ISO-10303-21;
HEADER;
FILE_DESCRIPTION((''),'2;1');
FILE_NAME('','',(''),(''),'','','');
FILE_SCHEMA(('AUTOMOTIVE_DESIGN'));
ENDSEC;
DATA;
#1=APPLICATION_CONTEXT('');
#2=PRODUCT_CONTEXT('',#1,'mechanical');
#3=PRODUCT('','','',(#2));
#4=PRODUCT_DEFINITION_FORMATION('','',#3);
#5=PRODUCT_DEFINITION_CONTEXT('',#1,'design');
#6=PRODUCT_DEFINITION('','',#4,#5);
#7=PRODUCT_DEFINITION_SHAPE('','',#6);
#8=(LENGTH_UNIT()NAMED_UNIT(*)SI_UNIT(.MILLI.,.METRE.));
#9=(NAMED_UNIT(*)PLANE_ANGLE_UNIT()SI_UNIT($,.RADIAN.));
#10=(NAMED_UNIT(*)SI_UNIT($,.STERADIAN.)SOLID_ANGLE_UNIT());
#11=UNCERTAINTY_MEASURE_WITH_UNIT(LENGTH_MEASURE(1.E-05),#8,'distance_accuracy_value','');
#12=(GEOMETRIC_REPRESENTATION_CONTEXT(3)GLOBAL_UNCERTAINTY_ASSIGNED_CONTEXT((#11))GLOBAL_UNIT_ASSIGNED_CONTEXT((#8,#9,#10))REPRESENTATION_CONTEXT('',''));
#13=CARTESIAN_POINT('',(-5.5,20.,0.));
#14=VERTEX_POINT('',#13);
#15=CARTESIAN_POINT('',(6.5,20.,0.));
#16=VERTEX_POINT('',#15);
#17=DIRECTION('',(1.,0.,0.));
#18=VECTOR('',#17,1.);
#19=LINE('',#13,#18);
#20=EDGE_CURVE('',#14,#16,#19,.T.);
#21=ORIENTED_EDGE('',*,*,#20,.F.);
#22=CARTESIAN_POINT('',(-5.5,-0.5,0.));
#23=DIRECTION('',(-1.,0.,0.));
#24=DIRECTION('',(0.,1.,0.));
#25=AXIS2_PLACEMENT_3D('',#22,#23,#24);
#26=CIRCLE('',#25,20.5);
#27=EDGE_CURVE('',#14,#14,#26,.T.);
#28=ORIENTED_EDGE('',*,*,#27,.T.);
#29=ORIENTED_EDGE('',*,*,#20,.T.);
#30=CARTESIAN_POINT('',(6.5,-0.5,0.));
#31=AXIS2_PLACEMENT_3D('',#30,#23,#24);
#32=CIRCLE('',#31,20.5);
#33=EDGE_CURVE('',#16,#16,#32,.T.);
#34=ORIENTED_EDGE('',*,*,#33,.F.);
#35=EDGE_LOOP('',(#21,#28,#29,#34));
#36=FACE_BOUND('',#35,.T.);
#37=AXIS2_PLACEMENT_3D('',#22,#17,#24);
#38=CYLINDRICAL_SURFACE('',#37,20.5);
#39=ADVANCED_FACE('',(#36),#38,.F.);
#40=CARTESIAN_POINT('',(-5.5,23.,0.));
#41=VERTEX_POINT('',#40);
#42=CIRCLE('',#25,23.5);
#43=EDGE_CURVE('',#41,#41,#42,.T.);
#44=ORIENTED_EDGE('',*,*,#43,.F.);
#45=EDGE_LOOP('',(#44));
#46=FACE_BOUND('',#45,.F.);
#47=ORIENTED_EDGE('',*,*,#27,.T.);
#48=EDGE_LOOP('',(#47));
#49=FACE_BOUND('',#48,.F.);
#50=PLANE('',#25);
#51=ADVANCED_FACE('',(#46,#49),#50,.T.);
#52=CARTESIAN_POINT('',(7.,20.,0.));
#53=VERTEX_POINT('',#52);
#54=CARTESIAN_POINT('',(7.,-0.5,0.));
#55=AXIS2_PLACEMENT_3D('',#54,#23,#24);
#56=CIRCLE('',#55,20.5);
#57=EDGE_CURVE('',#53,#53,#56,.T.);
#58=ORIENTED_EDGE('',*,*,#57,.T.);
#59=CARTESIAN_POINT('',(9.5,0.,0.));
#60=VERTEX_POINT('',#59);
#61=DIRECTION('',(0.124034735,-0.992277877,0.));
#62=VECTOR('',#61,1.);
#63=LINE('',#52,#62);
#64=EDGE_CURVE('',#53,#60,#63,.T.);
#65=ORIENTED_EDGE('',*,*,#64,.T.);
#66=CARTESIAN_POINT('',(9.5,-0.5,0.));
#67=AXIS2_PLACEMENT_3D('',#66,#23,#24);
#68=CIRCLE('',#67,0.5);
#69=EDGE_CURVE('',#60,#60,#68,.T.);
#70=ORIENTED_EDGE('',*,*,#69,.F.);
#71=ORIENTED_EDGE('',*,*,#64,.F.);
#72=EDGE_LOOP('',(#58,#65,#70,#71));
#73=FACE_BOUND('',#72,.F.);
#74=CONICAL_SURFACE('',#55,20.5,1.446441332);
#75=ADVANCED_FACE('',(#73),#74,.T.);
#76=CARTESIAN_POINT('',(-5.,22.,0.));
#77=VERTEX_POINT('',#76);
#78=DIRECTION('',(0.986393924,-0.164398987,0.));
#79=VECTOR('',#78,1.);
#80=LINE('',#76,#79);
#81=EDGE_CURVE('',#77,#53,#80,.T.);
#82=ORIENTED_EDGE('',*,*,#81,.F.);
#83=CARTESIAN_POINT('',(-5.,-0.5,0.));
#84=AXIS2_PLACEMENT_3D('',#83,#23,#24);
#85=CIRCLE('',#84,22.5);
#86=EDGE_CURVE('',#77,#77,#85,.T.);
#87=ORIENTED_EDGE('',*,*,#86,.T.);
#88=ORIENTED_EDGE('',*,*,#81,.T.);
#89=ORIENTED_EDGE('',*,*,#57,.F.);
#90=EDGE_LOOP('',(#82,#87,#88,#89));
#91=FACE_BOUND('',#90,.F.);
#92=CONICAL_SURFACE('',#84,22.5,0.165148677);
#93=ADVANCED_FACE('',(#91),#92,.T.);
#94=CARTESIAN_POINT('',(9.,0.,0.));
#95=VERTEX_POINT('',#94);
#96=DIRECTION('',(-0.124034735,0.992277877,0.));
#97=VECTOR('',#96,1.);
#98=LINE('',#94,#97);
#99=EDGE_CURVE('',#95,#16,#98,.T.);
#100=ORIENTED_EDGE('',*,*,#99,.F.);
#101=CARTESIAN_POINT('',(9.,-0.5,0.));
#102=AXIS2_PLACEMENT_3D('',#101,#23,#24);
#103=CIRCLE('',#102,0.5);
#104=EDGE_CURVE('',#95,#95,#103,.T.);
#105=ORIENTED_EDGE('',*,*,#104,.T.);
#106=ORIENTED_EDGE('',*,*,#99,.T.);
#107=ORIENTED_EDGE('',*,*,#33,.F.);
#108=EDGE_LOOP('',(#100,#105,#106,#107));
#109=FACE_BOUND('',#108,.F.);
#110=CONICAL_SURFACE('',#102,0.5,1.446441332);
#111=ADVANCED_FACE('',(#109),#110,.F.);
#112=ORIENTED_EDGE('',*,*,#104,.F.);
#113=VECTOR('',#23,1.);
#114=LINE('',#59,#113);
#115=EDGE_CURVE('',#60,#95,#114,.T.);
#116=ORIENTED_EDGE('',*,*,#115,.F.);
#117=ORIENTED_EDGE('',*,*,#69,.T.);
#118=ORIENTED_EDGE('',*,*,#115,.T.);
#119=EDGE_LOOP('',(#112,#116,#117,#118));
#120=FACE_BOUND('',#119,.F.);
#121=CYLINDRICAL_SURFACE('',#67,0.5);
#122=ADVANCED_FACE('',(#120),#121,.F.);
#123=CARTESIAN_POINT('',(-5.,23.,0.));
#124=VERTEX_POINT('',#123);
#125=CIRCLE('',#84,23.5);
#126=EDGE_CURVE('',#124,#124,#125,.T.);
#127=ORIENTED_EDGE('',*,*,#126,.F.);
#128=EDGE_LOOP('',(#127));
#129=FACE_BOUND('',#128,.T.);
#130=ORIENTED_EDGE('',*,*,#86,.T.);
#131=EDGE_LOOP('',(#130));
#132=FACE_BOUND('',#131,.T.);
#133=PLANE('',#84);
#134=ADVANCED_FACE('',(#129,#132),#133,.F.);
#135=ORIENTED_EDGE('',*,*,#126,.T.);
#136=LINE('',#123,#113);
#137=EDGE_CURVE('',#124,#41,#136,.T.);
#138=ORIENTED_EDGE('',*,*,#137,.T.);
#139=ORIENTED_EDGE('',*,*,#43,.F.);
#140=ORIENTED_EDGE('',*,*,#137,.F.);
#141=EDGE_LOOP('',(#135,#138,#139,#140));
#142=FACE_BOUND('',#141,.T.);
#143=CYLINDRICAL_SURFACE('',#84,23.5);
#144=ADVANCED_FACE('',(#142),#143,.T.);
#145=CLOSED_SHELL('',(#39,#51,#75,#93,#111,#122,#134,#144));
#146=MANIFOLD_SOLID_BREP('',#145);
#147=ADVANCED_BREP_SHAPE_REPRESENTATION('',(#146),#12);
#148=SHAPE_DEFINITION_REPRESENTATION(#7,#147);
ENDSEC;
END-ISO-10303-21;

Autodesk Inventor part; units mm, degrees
ref_plane "YZ Plane" through (0, 0, 0) normal (1, 0, 0) x (0, 1, 0)
ref_plane "XZ Plane" through (0, 0, 0) normal (0, 1, 0) x (-1, 0, 0)
ref_plane "XY Plane" through (0, 0, 0) normal (0, 0, 1) x (1, 0, 0)
sketch "Sketch1" plane through (0, 0, 0) normal (0, 0, 1) x (1, 0, 0)
  line L0 (13.5963, 0) -> (13.5963, -0.5)
  line L1 (13.5963, -0.5) -> (0, -0.5)
  line L2 (13, 0) -> (13.5963, 0)
  line L3 (-5.5, 23.9002) -> (9.5, 23.9002)
  line L4 (-5.5, 20) -> (-5.5, 22)
  line L5 (-5.5, 22) -> (-5, 22)
  line L6 (-5.5, 22) -> (-5, 22)
  line L7 (-5, 22) -> (-5, 23)
  line L8 (-5, 23) -> (-5.5, 23)
  line L9 (-5.5, 23) -> (-5.5, 22)
  line L10 (13.5963, 0) -> (13.5963, 20)
  line L11 (8.1189, -3.8338) -> (31.713, -3.8338) construction
  line L12 (-5.5, 20) -> (6.5, 20)
  line L13 (9.5, 0) -> (9, 0)
  line L14 (9, 0) -> (6.5, 20)
  line L15 (6.5, 20) -> (7, 20)
  line L16 (7, 20) -> (9.5, 0)
  line L17 (-5, 22) -> (7, 20)
  dimension "d7" = 15
  dimension "d11" = 2
  dimension "d12" = 0.5
  dimension "d13" = 1
  dimension "d17" = 20
  dimension "d19" = 12
  dimension "d20" = 0.5
  dimension "d21" = 0.5
revolve "Revolution1" add sketch "Sketch1" angle 360 about axis through (13.5963, -0.5, 0) along (-1, 0, 0)
properties part number "kab"
